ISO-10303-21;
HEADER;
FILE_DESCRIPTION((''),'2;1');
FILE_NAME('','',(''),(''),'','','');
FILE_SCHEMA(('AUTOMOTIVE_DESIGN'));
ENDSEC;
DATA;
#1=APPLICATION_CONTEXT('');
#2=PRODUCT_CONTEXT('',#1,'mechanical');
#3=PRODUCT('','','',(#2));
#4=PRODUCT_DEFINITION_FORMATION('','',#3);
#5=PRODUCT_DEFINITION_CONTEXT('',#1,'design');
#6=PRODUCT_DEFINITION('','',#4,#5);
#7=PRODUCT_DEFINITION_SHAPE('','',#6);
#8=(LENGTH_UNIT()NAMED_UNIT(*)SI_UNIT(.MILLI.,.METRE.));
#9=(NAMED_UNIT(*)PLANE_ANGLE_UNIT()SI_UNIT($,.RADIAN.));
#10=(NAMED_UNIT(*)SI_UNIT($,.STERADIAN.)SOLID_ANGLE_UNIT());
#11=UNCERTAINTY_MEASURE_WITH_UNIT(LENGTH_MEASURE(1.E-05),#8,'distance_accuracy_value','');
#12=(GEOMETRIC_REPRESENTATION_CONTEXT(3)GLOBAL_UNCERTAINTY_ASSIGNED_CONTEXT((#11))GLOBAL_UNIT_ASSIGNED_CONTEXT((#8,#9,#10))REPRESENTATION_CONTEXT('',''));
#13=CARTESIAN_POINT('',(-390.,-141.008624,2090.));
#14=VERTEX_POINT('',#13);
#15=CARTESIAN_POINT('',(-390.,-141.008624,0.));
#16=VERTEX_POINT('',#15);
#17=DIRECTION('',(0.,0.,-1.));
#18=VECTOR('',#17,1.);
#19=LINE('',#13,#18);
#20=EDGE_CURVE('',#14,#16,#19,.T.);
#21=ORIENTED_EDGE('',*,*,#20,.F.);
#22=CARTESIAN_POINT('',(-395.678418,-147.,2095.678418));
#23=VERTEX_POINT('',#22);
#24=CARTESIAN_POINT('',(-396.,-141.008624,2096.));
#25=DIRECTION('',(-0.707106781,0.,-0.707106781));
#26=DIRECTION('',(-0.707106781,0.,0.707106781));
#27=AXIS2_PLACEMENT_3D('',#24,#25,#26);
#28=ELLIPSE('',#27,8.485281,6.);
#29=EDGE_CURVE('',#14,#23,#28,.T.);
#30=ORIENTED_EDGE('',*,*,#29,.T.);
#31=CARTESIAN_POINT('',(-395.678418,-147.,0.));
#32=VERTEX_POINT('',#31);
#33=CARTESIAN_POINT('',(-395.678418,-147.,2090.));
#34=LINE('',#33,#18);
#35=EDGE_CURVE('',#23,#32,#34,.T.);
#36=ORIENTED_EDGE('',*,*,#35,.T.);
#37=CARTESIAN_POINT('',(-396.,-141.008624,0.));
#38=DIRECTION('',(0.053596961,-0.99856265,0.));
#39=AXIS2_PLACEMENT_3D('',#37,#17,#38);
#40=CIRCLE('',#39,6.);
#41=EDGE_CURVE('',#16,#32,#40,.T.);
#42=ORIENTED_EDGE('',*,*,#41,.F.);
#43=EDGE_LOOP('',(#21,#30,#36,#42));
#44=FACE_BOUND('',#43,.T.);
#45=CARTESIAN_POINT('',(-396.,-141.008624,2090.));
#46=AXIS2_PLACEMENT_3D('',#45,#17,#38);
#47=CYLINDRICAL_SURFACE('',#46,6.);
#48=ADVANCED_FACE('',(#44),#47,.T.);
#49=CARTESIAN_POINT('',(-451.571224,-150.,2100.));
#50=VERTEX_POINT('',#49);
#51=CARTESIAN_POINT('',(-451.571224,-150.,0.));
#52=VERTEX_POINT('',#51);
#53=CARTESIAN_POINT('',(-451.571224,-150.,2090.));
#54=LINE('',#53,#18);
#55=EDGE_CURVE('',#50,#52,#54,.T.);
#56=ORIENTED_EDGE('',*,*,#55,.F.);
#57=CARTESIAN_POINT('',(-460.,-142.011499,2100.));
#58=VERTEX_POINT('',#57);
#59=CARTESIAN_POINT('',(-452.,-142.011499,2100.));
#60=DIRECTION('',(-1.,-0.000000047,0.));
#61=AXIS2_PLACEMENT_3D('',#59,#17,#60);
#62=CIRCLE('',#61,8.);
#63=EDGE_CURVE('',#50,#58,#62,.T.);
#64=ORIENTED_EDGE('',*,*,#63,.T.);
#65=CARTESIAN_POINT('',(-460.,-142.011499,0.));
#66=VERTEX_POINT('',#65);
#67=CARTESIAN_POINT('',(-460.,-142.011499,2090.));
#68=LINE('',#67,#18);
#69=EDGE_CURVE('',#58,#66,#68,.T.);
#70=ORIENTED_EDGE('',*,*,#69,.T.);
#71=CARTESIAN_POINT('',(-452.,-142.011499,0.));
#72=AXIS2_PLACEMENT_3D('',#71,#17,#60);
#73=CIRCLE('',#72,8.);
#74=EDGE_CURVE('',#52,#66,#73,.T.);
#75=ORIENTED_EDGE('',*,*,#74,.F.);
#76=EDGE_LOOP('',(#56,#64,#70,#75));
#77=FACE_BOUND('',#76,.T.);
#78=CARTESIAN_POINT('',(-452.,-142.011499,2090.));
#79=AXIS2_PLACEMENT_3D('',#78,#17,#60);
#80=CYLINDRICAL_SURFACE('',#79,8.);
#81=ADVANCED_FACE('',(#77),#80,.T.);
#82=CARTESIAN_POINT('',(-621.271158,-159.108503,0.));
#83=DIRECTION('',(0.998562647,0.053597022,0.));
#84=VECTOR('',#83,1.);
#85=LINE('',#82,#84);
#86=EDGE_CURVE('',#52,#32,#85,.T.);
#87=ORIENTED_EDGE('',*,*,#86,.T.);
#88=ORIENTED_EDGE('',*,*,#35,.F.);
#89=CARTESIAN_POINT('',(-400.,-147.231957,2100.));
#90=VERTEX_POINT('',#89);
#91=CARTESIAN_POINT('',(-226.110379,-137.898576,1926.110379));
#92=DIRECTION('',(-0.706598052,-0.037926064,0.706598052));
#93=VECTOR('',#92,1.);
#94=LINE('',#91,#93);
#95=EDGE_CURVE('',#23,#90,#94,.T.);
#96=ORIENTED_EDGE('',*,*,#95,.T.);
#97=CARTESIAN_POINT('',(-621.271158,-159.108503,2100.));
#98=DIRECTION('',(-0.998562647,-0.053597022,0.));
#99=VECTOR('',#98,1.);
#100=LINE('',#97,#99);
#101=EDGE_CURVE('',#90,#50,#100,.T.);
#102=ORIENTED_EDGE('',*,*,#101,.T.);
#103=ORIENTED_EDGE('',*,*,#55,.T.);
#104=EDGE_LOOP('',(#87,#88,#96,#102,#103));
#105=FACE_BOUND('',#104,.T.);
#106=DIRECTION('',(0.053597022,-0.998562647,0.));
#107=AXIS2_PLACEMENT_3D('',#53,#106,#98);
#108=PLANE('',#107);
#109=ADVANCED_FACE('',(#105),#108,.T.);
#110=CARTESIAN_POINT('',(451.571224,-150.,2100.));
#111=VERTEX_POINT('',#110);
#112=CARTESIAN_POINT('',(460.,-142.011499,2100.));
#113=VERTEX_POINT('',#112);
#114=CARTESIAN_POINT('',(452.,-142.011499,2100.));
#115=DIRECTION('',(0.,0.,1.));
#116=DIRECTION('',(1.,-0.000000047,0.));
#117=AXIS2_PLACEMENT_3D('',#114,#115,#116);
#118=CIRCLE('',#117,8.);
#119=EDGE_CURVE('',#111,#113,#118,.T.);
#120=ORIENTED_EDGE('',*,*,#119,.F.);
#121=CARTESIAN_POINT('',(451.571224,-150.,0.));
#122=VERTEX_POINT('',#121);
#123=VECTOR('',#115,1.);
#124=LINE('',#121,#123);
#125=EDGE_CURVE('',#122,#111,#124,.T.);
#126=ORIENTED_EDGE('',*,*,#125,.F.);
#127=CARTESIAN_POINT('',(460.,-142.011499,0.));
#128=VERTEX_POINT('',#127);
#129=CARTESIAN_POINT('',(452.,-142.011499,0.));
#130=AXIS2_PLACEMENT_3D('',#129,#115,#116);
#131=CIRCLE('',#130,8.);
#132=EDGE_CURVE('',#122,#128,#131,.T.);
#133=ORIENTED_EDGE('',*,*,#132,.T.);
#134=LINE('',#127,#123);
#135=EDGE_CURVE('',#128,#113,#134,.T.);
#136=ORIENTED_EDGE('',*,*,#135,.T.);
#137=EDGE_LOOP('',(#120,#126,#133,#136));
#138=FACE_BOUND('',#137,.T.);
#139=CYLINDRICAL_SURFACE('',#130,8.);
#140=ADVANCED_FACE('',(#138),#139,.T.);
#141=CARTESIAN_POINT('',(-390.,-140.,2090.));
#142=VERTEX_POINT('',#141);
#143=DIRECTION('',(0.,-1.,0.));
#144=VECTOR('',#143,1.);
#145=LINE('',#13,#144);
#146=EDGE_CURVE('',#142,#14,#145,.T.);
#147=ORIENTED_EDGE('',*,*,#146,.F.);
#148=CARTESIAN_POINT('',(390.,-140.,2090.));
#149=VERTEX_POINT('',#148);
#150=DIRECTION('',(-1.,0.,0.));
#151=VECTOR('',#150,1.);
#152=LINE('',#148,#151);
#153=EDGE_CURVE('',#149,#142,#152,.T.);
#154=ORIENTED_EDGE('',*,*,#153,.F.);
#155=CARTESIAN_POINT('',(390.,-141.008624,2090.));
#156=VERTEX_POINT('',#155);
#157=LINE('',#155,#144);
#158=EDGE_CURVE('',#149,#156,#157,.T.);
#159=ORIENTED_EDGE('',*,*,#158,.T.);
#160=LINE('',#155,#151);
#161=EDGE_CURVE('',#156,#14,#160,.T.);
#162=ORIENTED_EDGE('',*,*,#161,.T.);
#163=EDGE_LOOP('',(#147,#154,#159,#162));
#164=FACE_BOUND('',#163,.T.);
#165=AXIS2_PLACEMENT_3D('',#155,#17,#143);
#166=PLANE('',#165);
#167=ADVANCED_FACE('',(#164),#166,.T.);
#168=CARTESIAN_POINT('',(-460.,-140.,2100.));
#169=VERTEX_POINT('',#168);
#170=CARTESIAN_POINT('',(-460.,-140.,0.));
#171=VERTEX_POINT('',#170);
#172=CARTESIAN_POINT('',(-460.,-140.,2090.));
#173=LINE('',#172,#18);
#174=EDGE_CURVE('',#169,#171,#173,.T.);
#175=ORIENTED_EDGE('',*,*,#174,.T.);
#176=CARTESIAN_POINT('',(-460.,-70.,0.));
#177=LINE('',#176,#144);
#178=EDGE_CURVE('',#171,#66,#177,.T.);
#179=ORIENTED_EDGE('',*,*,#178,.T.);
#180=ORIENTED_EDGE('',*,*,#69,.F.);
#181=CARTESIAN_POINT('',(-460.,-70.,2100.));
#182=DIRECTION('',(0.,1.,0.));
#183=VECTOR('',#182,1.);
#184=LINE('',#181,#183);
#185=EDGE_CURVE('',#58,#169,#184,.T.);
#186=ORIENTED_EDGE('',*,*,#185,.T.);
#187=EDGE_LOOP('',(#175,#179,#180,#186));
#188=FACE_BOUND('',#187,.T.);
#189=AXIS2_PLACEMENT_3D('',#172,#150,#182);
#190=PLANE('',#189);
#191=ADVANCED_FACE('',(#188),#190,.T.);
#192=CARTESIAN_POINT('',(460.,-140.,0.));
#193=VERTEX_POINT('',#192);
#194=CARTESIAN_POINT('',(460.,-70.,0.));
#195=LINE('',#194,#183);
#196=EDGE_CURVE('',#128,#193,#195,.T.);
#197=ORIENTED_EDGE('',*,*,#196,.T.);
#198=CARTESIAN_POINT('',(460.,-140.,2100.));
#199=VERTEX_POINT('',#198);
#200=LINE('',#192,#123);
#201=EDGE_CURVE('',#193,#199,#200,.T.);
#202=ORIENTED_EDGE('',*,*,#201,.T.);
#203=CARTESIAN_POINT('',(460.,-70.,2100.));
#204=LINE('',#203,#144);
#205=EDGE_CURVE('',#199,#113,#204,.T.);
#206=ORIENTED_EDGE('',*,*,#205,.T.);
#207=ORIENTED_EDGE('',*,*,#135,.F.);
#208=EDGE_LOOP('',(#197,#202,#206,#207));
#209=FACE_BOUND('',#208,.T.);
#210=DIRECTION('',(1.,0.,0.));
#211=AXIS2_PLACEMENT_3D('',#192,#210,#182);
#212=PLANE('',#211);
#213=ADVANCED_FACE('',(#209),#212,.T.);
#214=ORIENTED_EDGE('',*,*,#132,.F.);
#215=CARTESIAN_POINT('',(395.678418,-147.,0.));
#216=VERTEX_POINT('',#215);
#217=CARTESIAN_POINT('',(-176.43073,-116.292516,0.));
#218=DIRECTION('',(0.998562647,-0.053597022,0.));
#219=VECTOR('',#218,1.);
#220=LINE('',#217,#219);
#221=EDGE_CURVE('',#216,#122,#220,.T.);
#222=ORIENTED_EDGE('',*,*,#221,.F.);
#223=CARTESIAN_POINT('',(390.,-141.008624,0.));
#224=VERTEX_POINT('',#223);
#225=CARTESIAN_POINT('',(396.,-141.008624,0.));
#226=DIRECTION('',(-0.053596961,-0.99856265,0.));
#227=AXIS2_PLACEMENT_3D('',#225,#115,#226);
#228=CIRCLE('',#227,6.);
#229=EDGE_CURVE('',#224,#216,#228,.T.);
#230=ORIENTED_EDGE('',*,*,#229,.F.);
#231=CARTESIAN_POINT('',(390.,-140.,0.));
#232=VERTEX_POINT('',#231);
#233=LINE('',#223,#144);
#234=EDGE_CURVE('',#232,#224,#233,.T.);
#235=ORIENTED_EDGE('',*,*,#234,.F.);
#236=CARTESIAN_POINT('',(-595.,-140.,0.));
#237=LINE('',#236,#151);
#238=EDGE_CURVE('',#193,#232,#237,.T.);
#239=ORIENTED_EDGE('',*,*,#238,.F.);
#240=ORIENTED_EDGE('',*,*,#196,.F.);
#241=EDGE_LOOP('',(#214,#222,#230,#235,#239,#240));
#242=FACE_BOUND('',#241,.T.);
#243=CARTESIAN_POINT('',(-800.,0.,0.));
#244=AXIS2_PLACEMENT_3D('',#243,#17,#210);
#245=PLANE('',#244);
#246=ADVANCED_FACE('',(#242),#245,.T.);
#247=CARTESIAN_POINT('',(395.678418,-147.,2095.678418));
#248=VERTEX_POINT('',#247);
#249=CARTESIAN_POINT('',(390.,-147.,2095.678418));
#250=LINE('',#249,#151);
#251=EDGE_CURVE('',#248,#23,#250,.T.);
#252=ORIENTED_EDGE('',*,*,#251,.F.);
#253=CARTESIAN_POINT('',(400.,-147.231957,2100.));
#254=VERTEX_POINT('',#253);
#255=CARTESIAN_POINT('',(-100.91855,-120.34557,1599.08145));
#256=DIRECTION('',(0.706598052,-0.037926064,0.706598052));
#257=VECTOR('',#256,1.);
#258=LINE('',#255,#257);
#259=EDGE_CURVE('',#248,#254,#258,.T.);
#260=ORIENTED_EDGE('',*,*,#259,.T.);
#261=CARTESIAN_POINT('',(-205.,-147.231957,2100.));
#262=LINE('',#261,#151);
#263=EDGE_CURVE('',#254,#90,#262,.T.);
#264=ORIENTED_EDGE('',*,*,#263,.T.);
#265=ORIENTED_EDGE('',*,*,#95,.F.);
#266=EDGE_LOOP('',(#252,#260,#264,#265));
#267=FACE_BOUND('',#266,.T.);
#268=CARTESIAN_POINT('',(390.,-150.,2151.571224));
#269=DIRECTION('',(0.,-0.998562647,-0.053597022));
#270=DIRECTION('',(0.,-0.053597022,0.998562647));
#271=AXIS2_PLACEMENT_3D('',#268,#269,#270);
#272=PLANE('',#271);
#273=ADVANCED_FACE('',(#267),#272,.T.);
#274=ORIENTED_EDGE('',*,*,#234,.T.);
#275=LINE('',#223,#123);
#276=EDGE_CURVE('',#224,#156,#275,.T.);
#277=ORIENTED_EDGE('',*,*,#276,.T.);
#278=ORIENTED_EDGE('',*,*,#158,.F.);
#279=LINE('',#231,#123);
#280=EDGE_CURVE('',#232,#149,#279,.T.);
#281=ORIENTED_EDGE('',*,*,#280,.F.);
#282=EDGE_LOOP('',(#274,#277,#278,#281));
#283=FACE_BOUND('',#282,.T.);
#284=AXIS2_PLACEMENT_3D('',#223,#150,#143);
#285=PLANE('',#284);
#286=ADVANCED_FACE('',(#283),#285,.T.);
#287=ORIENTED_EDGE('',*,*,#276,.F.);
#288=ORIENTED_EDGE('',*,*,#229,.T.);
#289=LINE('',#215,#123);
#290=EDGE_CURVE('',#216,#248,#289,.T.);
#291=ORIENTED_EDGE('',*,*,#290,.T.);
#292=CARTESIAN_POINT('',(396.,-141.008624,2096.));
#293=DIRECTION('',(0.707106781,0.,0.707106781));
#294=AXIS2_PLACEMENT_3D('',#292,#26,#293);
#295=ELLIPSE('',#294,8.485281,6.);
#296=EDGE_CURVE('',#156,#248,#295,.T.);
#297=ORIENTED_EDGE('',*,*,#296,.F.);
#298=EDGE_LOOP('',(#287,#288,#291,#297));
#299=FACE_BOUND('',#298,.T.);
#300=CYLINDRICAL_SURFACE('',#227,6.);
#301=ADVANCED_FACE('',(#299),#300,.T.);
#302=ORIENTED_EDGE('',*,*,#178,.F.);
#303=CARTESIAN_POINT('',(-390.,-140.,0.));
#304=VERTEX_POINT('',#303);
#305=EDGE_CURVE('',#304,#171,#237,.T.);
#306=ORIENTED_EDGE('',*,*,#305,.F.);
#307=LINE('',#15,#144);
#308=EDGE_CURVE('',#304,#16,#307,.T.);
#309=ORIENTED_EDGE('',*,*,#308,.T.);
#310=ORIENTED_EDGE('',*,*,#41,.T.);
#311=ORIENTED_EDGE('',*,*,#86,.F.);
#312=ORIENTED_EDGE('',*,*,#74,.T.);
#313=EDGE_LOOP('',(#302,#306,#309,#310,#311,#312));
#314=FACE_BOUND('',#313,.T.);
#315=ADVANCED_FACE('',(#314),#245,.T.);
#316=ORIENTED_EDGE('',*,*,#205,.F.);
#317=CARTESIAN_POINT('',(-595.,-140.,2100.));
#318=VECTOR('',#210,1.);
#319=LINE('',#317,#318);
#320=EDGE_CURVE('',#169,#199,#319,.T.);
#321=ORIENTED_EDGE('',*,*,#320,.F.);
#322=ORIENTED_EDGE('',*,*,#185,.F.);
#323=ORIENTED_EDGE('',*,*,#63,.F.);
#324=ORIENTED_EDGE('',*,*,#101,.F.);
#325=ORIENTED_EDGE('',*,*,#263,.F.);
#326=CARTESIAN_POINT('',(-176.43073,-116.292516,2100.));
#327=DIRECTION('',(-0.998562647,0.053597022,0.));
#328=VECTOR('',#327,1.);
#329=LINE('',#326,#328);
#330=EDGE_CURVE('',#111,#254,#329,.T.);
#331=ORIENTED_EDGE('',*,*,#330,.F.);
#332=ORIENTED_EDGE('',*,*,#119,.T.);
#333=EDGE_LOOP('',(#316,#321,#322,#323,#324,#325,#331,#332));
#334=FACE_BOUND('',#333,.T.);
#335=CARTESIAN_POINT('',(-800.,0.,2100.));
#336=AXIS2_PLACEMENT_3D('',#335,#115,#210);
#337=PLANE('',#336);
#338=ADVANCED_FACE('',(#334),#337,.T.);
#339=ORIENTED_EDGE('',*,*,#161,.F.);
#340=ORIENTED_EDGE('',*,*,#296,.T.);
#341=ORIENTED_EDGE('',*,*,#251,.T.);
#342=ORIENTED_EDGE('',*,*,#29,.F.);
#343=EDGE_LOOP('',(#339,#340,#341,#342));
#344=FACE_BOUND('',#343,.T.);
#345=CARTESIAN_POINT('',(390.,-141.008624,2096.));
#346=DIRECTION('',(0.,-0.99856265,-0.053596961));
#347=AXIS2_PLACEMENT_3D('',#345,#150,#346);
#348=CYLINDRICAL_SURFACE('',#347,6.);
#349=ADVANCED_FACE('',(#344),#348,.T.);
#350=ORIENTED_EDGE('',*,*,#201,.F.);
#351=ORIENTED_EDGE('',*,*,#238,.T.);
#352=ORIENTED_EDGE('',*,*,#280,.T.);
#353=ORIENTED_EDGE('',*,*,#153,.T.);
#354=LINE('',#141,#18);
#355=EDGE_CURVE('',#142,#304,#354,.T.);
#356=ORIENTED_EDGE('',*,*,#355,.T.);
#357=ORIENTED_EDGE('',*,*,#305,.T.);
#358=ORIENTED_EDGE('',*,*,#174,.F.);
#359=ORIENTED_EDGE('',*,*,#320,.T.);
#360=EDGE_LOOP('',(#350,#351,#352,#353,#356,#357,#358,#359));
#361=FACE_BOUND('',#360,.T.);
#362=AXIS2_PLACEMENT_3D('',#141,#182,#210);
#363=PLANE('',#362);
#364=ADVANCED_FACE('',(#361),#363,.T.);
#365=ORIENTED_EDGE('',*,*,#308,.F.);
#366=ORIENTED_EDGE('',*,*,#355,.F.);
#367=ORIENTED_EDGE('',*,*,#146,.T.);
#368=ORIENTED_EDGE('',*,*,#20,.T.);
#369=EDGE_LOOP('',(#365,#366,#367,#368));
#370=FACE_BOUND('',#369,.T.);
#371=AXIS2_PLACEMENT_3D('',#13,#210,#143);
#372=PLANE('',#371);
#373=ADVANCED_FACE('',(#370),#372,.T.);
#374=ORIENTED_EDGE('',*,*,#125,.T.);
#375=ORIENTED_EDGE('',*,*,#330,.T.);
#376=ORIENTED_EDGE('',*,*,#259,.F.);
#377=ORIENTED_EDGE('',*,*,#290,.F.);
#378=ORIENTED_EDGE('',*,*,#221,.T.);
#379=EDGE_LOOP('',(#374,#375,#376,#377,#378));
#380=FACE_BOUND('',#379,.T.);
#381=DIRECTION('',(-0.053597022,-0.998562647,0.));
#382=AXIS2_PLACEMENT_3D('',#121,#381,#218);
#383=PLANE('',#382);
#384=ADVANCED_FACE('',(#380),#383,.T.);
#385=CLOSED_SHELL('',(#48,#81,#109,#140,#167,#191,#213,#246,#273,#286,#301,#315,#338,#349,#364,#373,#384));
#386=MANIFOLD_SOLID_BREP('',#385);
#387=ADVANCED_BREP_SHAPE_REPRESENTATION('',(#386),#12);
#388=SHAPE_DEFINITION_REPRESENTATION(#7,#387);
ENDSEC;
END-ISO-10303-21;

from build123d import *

# Parameters (mm, degrees)
SKETCH278_W         = 1600
SKETCH278_H         = 400
EXTRUDE039512_DEPTH = 500


with BuildPart() as extrude039512:
    # Sketch278 (on Sketch) → Extrude039512 (new body, symmetric)
    with BuildSketch(Plane.XZ):
        with Locations((0, 2300)):
            Rectangle(SKETCH278_W, SKETCH278_H)
        with Locations((0, -200)):
            Rectangle(SKETCH278_W, SKETCH278_H)
    extrude(amount=EXTRUDE039512_DEPTH, both=True)


with BuildPart() as trim_two_parts_external:
    # Sweep011: sweep along a path in Sketch194
    with BuildLine(Plane.XZ.offset(140)) as sweep011_path:
        Line((-390, 2090), (-390, 0))
        Line((-390, 0), (390, 0))
        Line((390, 0), (390, 2090))
        Line((390, 2090), (-390, 2090))
    # Clone2D027 (on Sketch) → Sweep011 (sweep)
    with BuildSketch(Plane(origin=(0, -140, 0), x_dir=(0, 0, 1), z_dir=(1, 0, 0))):
        with BuildLine():
            Line((-61.571224, 10), (-5.678418, 7))
            ThreePointArc((-5.678418, 7), (-1.645147, 5.136003), (0, 1.008624))
            Line((0, 1.008624), (0, 0))
            Line((0, 0), (-70, 0))
            Line((-70, 0), (-70, 2.011499))
            ThreePointArc((-70, 2.011499), (-67.503171, 7.81797), (-61.571224, 10))
        make_face()
    sweep(path=sweep011_path.line, is_frenet=True, transition=Transition.RIGHT)

    # Cut077: cut Extrude039512
    add(extrude039512.part, mode=Mode.SUBTRACT)


solid = trim_two_parts_external.part
